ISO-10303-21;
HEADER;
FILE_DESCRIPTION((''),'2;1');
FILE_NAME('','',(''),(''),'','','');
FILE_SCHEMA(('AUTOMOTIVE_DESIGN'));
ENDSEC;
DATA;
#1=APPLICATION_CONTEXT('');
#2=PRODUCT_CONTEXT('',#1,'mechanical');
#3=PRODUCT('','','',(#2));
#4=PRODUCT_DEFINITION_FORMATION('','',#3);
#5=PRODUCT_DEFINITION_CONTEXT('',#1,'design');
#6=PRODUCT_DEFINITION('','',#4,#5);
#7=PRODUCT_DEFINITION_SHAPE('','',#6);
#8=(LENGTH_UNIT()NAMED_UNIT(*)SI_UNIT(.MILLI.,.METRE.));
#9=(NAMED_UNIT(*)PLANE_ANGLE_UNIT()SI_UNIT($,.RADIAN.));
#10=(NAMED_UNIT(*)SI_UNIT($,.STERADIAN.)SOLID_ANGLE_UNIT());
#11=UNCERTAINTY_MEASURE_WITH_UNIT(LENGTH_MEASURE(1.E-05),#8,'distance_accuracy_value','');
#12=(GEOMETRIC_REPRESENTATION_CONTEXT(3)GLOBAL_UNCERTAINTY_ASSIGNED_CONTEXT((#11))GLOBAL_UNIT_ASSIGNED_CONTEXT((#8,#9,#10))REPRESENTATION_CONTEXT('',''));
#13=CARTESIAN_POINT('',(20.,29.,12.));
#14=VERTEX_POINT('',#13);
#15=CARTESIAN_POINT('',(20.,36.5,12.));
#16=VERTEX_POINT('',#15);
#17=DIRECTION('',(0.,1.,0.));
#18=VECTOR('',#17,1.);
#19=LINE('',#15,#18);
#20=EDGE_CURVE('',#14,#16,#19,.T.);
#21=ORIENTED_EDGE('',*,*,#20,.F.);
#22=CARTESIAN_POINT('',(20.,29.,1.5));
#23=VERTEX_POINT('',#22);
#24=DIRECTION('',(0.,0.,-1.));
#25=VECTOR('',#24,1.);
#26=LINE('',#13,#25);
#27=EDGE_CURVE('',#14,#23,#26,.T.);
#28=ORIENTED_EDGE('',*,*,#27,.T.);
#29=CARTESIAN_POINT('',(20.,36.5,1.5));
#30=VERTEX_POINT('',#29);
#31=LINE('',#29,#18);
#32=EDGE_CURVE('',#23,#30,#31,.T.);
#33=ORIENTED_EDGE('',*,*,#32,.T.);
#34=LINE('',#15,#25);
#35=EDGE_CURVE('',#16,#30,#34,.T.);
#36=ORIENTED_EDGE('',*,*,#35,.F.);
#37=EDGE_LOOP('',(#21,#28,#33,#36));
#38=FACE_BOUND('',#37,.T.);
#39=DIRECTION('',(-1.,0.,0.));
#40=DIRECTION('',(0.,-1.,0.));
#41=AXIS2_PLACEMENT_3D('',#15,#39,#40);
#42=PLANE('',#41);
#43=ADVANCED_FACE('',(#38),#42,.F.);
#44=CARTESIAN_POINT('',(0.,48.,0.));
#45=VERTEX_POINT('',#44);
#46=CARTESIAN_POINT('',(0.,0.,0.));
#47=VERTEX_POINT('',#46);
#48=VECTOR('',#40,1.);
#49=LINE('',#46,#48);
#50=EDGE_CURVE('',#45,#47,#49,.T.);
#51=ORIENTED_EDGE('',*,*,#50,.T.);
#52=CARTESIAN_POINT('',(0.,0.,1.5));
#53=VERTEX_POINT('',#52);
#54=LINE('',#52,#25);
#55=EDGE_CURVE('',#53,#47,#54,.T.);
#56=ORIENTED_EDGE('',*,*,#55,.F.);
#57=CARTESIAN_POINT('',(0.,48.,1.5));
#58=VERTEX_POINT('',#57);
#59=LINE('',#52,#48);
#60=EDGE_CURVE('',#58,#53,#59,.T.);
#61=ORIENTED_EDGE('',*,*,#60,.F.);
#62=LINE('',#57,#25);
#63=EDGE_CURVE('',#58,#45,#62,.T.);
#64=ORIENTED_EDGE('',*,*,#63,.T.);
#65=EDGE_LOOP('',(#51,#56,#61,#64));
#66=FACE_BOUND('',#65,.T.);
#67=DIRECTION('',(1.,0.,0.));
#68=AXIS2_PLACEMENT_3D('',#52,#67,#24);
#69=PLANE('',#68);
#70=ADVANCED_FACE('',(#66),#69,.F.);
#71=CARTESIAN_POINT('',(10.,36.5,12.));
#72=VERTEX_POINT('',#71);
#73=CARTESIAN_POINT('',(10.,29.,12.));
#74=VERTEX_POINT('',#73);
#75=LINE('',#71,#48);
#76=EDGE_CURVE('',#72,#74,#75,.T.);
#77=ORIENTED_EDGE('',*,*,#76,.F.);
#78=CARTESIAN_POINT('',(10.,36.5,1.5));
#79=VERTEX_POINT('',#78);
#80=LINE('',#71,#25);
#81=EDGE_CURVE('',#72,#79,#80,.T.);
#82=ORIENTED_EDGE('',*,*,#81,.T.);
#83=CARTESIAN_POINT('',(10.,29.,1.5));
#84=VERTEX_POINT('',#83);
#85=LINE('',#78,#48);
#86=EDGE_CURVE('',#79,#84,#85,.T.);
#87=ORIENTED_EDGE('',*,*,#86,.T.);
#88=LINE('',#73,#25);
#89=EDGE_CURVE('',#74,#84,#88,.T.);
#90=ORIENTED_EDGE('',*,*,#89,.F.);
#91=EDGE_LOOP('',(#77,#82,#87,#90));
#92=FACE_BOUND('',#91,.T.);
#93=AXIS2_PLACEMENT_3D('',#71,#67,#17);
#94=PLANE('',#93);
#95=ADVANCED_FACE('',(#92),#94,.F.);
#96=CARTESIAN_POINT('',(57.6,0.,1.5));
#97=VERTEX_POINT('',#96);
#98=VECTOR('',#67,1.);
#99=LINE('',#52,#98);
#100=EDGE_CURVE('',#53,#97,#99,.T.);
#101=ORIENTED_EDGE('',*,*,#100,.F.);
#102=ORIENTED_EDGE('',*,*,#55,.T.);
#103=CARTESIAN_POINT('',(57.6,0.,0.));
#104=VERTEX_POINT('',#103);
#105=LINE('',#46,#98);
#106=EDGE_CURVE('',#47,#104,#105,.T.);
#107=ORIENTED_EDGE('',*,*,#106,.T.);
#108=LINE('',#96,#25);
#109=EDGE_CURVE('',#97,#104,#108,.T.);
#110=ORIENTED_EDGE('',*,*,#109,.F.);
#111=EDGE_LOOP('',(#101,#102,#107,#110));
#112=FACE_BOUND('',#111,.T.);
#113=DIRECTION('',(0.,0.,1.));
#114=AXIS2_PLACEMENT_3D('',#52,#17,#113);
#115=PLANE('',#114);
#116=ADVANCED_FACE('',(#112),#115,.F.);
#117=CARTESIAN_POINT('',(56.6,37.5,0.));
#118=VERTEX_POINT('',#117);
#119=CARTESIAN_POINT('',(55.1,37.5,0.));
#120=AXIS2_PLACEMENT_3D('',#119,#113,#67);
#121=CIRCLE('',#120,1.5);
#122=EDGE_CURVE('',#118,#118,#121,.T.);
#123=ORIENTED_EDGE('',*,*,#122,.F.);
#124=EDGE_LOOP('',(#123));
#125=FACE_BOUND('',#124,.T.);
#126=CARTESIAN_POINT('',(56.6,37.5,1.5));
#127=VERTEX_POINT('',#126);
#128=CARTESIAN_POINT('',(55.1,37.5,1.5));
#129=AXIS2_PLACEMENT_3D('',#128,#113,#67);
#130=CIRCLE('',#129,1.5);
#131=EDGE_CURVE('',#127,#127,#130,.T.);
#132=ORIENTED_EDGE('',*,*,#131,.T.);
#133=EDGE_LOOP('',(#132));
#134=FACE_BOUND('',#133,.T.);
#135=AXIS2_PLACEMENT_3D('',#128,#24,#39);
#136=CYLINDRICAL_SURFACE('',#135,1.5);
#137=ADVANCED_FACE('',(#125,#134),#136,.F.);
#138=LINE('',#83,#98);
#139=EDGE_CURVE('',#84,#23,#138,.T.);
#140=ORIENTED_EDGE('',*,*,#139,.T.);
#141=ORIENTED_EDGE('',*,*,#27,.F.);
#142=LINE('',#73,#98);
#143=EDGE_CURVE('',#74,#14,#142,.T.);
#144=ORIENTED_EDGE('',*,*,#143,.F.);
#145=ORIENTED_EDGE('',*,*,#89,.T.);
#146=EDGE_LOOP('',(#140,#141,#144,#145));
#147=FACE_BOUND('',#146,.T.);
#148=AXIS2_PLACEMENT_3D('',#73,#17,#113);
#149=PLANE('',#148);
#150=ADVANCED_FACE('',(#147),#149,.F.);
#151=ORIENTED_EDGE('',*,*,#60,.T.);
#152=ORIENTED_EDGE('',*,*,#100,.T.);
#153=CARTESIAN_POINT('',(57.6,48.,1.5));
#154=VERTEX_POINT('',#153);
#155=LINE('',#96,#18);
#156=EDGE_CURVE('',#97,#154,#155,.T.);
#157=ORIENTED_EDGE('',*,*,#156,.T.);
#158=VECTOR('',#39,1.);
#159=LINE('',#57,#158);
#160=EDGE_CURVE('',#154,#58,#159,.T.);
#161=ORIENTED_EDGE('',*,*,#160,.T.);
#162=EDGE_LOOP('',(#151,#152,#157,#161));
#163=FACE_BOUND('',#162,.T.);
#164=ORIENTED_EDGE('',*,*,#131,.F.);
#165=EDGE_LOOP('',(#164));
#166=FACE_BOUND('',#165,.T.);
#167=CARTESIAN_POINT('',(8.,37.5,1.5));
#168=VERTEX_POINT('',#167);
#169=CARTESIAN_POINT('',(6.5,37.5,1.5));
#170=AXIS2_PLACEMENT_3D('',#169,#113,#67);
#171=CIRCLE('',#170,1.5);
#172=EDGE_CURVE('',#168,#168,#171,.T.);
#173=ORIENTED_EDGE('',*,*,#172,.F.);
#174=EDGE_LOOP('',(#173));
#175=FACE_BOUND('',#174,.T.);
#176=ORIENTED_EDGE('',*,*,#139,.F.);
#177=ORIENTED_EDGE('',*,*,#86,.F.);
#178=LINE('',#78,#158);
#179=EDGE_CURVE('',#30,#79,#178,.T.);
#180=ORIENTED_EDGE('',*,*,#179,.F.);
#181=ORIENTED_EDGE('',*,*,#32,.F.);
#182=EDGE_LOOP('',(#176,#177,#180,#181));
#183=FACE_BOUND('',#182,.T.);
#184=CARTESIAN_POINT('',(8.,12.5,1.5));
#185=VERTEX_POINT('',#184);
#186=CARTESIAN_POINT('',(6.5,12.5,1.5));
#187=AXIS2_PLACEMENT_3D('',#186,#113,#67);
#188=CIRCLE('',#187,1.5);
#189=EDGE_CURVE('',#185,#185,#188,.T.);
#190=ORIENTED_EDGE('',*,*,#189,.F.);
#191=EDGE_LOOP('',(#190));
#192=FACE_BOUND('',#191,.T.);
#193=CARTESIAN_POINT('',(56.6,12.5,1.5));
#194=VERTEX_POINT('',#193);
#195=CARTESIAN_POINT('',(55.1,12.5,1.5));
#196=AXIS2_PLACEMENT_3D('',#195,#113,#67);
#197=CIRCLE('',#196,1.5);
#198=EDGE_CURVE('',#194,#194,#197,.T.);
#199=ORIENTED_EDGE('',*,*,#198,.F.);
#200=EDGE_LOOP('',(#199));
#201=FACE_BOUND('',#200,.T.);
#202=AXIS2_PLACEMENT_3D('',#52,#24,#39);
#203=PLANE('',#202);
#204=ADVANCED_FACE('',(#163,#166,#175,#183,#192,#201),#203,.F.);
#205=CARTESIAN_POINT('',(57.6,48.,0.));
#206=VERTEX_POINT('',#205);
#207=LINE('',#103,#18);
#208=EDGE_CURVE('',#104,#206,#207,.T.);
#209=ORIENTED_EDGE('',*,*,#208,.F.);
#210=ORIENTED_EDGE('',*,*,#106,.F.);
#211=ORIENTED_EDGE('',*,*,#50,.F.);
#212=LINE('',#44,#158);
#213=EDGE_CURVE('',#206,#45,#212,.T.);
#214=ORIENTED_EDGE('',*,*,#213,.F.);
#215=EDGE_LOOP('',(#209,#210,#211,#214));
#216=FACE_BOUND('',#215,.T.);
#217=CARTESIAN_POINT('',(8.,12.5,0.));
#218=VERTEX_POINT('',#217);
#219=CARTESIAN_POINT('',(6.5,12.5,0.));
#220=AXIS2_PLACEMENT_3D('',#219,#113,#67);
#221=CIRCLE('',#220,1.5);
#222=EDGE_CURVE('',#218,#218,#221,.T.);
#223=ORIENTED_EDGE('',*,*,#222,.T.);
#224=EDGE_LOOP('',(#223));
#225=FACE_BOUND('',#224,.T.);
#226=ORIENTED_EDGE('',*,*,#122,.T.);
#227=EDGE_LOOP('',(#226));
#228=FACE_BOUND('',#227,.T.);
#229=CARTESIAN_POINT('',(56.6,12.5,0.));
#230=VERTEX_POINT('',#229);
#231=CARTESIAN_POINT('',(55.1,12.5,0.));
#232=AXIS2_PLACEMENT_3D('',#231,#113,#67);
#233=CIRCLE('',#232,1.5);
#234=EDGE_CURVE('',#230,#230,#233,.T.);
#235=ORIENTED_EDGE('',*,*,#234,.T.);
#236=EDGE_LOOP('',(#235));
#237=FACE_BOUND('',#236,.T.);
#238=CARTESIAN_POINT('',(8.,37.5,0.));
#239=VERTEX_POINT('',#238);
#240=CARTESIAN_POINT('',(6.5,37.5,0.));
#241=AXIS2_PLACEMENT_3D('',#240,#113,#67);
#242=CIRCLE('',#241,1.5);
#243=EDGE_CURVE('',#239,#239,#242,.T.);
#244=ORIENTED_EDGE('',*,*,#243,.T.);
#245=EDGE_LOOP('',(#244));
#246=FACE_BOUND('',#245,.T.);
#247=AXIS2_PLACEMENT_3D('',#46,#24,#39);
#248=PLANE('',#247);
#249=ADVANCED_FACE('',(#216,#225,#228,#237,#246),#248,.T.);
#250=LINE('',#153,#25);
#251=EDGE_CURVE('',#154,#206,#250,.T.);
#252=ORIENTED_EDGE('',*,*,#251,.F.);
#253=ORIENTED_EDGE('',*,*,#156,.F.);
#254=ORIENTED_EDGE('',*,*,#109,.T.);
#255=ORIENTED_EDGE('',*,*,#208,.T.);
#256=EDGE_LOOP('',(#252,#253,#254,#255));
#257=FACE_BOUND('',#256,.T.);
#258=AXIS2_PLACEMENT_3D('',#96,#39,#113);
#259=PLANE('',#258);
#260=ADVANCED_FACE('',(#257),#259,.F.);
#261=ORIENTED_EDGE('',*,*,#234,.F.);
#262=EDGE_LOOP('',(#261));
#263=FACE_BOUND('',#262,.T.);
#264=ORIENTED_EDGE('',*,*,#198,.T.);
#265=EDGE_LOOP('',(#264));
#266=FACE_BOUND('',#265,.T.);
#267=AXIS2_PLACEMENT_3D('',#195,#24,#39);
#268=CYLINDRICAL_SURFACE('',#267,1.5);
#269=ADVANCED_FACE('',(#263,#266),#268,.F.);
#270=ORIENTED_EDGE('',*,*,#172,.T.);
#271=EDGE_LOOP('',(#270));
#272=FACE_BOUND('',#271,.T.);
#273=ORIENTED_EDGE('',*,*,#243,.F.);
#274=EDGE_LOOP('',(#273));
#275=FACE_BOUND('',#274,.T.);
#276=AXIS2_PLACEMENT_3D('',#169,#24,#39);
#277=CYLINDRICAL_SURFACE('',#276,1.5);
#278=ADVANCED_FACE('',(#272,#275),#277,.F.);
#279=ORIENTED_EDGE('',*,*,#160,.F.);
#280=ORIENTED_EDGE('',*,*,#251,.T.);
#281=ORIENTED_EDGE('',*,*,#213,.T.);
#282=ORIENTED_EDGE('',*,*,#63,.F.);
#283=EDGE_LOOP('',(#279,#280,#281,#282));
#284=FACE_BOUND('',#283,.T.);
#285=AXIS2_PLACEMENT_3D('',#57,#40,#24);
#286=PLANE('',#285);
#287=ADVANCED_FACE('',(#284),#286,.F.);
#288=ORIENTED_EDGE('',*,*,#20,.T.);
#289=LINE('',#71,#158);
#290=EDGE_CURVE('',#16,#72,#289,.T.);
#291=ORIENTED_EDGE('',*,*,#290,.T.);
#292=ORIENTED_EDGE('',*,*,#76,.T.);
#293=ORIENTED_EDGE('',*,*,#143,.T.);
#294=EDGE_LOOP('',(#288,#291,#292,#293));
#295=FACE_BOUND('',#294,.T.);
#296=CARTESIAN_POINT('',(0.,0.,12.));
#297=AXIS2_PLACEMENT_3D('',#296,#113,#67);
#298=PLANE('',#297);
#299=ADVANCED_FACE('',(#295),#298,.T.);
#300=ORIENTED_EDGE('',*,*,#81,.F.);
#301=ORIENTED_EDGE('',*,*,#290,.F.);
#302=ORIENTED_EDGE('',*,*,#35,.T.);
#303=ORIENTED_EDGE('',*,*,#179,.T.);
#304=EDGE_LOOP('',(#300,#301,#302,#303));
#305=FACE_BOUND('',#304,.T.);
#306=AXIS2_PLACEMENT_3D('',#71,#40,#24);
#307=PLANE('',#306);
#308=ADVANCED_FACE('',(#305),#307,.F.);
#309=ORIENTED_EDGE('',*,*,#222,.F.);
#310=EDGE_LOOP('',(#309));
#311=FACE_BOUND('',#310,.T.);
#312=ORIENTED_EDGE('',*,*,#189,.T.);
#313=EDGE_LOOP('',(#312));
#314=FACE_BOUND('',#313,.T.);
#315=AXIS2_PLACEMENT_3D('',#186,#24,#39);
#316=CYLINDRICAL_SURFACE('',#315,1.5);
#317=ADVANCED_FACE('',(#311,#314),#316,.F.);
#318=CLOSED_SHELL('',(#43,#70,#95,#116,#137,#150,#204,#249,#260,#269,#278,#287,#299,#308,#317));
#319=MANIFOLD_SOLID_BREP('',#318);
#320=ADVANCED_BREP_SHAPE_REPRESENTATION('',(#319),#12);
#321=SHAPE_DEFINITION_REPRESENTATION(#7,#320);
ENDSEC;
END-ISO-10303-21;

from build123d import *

# Parameters (mm, degrees)
SKICA1_W                = 57.6
SKICA1_H                = 48
SKICA1_R                = 1.5
P_IDAT_VYSUNUT_M1_DEPTH = 1.5
SKICA2_W                = 10
SKICA2_H                = 7.5
P_IDAT_VYSUNUT_M2_DEPTH = 10.5


with BuildPart() as part:
    # Skica1 → Přidat vysunutím1 (new body)
    with BuildSketch(Plane.XY):
        with Locations((28.8, 24)):
            Rectangle(SKICA1_W, SKICA1_H)
        with Locations((6.5, 37.5)):
            Circle(SKICA1_R, mode=Mode.SUBTRACT)
        with Locations((6.5, 12.5)):
            Circle(SKICA1_R, mode=Mode.SUBTRACT)
        with Locations((55.1, 37.5)):
            Circle(SKICA1_R, mode=Mode.SUBTRACT)
        with Locations((55.1, 12.5)):
            Circle(SKICA1_R, mode=Mode.SUBTRACT)
    extrude(amount=P_IDAT_VYSUNUT_M1_DEPTH)

    # Skica2 → Přidat vysunutím2 (add)
    with BuildSketch(Plane.XY.offset(1.5)):
        with Locations((15, 32.75)):
            Rectangle(SKICA2_W, SKICA2_H)
    extrude(amount=P_IDAT_VYSUNUT_M2_DEPTH)


solid = part.part
